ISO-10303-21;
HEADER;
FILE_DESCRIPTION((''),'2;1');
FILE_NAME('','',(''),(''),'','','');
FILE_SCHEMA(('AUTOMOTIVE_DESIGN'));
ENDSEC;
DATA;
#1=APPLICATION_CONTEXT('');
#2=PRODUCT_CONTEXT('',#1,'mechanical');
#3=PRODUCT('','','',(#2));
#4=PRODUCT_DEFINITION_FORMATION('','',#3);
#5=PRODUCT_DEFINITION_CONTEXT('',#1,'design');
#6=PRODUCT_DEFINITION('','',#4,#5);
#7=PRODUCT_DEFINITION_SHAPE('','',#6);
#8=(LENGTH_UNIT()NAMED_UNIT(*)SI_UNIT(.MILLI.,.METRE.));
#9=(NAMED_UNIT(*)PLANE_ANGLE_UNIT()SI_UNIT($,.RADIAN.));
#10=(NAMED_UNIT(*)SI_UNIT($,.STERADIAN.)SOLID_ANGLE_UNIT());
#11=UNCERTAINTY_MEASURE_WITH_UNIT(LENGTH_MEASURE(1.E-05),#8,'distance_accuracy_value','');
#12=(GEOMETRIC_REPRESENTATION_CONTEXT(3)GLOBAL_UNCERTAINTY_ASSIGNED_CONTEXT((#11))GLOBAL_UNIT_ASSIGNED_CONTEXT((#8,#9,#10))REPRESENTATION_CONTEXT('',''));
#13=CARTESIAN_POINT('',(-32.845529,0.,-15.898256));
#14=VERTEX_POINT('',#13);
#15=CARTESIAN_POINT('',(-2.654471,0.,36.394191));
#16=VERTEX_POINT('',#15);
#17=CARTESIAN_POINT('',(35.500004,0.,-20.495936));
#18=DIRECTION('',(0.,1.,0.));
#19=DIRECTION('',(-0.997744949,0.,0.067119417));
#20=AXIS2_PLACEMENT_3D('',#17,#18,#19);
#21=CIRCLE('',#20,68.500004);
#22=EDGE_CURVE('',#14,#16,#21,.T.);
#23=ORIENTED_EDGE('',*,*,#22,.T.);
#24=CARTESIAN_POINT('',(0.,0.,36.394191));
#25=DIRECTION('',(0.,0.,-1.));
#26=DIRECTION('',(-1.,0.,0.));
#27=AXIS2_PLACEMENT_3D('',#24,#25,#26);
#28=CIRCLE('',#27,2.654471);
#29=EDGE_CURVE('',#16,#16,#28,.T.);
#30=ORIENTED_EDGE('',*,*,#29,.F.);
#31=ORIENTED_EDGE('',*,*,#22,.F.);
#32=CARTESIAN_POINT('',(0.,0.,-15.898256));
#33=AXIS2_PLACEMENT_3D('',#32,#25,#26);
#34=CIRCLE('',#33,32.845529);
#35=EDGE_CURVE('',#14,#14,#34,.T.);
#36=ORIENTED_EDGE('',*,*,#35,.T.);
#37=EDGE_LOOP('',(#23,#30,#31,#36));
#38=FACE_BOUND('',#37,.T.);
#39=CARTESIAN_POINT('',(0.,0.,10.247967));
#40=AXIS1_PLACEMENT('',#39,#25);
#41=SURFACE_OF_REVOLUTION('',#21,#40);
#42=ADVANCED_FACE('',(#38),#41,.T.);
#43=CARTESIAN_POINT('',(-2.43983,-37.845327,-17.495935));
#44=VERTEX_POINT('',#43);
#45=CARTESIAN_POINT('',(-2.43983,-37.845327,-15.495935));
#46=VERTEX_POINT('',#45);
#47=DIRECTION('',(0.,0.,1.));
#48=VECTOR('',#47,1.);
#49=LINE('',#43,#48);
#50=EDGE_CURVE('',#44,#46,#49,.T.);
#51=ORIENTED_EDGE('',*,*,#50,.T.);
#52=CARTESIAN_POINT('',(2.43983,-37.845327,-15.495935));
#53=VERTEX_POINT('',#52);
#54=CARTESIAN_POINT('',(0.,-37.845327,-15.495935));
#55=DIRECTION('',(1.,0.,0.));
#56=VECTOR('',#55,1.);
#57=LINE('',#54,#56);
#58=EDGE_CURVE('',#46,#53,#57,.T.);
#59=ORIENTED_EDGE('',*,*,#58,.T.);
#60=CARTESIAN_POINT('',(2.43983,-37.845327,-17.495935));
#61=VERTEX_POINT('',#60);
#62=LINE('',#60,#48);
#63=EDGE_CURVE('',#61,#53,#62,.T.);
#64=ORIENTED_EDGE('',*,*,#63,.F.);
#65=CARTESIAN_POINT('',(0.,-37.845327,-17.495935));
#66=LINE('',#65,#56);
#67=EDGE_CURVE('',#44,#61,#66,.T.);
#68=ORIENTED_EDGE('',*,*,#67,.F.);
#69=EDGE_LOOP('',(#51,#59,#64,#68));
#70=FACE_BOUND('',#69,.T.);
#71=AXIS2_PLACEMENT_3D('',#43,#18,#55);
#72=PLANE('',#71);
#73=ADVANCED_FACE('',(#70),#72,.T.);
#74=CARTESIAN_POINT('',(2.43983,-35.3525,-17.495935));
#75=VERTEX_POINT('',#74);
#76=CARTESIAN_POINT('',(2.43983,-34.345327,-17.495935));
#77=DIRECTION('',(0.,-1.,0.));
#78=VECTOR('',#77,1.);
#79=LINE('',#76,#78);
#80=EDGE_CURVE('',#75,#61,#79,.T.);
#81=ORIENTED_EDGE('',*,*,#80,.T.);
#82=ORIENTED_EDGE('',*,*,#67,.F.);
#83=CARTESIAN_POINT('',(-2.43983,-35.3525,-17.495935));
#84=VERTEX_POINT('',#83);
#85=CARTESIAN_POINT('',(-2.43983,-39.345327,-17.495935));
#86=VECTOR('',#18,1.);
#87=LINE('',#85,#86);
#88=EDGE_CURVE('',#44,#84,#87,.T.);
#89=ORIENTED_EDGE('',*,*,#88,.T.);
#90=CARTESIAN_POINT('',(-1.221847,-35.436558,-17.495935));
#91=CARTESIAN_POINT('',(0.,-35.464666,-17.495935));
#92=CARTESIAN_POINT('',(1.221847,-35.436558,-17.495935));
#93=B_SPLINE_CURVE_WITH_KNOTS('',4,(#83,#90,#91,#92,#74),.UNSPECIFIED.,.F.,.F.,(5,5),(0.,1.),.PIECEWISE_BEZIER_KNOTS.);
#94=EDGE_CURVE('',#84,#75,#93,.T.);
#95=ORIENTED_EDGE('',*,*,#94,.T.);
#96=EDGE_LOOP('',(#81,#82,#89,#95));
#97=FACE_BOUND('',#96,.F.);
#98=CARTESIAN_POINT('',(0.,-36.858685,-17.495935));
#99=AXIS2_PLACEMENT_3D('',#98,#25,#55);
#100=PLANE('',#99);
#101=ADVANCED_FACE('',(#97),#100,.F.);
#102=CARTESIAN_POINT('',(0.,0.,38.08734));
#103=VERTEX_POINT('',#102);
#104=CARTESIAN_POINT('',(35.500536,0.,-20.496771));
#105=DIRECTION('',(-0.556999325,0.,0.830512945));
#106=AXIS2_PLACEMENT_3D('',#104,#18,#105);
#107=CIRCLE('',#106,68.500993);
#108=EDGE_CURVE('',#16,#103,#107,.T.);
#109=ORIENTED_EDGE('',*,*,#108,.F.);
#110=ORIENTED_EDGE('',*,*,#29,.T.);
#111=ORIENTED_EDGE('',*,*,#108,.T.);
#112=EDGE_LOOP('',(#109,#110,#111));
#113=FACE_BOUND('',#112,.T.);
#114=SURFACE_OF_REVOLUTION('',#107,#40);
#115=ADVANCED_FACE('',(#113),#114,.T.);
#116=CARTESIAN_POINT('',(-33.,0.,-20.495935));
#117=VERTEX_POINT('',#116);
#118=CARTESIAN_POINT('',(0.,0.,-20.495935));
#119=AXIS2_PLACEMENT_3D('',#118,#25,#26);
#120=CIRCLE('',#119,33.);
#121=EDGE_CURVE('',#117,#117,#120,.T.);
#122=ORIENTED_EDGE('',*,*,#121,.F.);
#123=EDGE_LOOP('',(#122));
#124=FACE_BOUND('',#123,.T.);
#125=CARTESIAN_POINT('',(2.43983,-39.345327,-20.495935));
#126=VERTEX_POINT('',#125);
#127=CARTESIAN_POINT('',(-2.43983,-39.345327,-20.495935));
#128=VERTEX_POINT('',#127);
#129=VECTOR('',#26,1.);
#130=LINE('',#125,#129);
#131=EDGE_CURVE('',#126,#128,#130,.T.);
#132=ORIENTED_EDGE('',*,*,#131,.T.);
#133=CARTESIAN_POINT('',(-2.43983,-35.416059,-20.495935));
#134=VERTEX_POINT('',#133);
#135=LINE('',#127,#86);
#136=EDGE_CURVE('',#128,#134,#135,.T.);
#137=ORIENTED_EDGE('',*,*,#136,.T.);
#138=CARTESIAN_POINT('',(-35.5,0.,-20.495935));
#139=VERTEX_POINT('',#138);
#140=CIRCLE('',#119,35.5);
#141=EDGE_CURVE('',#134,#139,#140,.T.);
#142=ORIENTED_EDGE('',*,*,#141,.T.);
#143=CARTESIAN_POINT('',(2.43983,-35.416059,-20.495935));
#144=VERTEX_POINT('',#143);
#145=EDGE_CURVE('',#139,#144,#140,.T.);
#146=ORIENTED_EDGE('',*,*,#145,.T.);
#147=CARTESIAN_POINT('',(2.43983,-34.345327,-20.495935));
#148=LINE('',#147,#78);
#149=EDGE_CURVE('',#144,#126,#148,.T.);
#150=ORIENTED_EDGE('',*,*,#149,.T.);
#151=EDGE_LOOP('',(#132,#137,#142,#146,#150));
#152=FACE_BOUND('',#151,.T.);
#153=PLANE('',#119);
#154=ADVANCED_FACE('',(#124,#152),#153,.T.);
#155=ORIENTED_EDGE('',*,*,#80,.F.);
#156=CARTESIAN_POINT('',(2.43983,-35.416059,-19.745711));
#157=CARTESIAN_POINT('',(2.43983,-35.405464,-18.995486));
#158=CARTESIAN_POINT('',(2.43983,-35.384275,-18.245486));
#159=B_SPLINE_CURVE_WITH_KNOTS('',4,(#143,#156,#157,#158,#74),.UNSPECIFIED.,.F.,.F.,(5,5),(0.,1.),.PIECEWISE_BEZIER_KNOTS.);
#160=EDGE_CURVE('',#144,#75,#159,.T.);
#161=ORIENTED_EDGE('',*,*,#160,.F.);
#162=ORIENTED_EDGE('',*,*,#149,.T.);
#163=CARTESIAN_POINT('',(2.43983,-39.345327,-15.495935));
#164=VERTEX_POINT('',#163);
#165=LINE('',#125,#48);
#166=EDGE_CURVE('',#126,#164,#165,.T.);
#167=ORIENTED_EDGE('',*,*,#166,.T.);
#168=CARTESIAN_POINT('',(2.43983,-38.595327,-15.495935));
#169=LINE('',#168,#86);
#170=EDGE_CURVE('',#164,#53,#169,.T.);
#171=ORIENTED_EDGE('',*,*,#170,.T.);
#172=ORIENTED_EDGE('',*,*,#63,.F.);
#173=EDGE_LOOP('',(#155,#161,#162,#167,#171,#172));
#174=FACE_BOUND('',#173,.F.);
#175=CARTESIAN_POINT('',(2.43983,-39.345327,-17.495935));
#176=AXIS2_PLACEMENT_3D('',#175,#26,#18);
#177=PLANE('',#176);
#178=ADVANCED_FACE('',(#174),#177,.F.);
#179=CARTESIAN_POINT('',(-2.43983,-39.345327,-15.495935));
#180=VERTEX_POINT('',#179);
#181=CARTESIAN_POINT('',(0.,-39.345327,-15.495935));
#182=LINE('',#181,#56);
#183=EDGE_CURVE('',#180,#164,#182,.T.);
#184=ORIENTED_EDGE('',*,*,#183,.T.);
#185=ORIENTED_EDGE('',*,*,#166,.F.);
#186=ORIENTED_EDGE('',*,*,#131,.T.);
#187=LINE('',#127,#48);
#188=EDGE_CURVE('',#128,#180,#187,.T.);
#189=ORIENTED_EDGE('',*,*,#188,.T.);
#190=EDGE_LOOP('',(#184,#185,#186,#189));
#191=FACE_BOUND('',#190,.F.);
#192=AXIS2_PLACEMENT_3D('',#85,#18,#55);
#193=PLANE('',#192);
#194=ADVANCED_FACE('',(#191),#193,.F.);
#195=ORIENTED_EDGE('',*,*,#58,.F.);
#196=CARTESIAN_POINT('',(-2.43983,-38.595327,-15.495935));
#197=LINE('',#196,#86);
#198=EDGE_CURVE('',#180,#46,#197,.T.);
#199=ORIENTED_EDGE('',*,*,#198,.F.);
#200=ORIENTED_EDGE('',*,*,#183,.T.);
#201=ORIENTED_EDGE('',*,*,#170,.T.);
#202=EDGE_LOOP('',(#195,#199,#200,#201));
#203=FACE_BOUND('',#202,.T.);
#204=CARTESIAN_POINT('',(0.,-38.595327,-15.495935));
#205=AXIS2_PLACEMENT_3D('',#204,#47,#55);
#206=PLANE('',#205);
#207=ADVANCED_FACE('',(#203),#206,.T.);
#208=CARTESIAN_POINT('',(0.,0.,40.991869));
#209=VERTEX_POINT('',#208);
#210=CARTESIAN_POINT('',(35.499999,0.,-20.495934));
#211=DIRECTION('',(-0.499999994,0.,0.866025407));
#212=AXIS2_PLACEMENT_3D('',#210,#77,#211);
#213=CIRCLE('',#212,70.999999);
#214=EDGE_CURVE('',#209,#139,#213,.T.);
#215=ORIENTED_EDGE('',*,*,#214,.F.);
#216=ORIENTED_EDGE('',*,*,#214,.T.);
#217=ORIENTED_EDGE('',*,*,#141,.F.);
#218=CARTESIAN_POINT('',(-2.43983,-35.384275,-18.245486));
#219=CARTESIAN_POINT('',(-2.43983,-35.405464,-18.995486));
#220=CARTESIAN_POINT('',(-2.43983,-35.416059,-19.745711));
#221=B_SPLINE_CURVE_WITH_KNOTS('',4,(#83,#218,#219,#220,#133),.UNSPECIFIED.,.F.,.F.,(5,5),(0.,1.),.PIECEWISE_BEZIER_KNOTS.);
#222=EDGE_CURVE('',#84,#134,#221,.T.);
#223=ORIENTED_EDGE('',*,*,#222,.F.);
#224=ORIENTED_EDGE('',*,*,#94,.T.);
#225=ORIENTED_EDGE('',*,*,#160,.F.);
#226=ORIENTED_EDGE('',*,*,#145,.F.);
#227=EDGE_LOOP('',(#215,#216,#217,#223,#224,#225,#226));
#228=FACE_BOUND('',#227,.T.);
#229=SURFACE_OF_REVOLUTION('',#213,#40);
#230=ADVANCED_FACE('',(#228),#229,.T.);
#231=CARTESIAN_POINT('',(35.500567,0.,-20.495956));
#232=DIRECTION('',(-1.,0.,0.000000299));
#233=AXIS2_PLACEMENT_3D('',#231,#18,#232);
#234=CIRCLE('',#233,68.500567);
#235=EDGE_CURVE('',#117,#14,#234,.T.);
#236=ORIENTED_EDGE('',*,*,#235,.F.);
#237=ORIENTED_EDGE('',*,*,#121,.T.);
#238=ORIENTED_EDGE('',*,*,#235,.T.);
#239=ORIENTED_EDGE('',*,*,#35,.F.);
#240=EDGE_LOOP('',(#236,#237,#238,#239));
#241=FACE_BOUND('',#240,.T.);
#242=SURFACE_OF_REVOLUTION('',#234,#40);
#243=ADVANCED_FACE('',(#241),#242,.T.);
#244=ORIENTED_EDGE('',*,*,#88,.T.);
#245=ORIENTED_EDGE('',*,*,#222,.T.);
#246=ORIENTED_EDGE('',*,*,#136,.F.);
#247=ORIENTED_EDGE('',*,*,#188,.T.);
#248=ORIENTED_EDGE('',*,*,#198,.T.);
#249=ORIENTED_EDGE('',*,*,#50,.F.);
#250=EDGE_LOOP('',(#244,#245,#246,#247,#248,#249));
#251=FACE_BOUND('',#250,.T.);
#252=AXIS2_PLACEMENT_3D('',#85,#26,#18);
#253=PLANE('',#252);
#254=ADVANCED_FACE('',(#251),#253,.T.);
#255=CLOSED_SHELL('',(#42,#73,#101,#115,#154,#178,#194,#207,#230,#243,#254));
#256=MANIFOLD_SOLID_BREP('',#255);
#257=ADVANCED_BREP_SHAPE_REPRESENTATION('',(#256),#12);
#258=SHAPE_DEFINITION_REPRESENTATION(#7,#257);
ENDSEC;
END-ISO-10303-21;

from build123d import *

# Parameters (mm, degrees)
F3_DEPTH = 3
F4_W     = 4.87966
F4_H     = 1.5
F5_DEPTH = 2


with BuildPart() as f1:
    # F0 (on Front) → F1 (revolve)
    with BuildSketch(Plane.XZ):
        with BuildLine():
            ThreePointArc((0, 40.991869), (-25.987804, 15.004065), (-35.5, -20.495935))
            Line((-35.5, -20.495935), (-32.845529, -15.898256))
            ThreePointArc((-32.845529, -15.898256), (-23.82274, 13.754065), (-2.654471, 36.394191))
            Line((-2.654471, 36.394191), (0, 40.991869))
        make_face()
        with BuildLine():
            Line((-35.5, -20.495935), (-33, -20.495935))
            ThreePointArc((-33, -20.495935), (-32.961371, -18.195798), (-32.845529, -15.898256))
            Line((-32.845529, -15.898256), (-35.5, -20.495935))
        make_face()
        with BuildLine():
            ThreePointArc((-2.654471, 36.394191), (-1.336965, 37.256018), (0, 38.08734))
            Line((0, 38.08734), (0, 40.991869))
            Line((0, 40.991869), (-2.654471, 36.394191))
        make_face()
    revolve(axis=Axis((0, 0, 10.247967), (0, 0, -1)))

    # F2 (on face) → F3 (join)
    with BuildSketch(Plane(origin=(0, 0, -20.495935), x_dir=(1, 0, 0), z_dir=(0, 0, -1))):
        with BuildLine():
            Line((2.43983, 34.345327), (2.43983, 39.345327))
            Line((2.43983, 39.345327), (-2.43983, 39.345327))
            Line((-2.43983, 39.345327), (-2.43983, 34.345327))
            ThreePointArc((-2.43983, 34.345327), (-1.220683, 34.410234), (0, 34.431879))
            ThreePointArc((0, 34.431879), (1.220683, 34.410234), (2.43983, 34.345327))
        make_face()
    extrude(amount=-F3_DEPTH)

    # F4 (on face) → F5 (join)
    with BuildSketch(Plane.XY.offset(-17.495935)):
        with Locations((0, -38.595327)):
            Rectangle(F4_W, F4_H)
    extrude(amount=F5_DEPTH)


solid = f1.part
